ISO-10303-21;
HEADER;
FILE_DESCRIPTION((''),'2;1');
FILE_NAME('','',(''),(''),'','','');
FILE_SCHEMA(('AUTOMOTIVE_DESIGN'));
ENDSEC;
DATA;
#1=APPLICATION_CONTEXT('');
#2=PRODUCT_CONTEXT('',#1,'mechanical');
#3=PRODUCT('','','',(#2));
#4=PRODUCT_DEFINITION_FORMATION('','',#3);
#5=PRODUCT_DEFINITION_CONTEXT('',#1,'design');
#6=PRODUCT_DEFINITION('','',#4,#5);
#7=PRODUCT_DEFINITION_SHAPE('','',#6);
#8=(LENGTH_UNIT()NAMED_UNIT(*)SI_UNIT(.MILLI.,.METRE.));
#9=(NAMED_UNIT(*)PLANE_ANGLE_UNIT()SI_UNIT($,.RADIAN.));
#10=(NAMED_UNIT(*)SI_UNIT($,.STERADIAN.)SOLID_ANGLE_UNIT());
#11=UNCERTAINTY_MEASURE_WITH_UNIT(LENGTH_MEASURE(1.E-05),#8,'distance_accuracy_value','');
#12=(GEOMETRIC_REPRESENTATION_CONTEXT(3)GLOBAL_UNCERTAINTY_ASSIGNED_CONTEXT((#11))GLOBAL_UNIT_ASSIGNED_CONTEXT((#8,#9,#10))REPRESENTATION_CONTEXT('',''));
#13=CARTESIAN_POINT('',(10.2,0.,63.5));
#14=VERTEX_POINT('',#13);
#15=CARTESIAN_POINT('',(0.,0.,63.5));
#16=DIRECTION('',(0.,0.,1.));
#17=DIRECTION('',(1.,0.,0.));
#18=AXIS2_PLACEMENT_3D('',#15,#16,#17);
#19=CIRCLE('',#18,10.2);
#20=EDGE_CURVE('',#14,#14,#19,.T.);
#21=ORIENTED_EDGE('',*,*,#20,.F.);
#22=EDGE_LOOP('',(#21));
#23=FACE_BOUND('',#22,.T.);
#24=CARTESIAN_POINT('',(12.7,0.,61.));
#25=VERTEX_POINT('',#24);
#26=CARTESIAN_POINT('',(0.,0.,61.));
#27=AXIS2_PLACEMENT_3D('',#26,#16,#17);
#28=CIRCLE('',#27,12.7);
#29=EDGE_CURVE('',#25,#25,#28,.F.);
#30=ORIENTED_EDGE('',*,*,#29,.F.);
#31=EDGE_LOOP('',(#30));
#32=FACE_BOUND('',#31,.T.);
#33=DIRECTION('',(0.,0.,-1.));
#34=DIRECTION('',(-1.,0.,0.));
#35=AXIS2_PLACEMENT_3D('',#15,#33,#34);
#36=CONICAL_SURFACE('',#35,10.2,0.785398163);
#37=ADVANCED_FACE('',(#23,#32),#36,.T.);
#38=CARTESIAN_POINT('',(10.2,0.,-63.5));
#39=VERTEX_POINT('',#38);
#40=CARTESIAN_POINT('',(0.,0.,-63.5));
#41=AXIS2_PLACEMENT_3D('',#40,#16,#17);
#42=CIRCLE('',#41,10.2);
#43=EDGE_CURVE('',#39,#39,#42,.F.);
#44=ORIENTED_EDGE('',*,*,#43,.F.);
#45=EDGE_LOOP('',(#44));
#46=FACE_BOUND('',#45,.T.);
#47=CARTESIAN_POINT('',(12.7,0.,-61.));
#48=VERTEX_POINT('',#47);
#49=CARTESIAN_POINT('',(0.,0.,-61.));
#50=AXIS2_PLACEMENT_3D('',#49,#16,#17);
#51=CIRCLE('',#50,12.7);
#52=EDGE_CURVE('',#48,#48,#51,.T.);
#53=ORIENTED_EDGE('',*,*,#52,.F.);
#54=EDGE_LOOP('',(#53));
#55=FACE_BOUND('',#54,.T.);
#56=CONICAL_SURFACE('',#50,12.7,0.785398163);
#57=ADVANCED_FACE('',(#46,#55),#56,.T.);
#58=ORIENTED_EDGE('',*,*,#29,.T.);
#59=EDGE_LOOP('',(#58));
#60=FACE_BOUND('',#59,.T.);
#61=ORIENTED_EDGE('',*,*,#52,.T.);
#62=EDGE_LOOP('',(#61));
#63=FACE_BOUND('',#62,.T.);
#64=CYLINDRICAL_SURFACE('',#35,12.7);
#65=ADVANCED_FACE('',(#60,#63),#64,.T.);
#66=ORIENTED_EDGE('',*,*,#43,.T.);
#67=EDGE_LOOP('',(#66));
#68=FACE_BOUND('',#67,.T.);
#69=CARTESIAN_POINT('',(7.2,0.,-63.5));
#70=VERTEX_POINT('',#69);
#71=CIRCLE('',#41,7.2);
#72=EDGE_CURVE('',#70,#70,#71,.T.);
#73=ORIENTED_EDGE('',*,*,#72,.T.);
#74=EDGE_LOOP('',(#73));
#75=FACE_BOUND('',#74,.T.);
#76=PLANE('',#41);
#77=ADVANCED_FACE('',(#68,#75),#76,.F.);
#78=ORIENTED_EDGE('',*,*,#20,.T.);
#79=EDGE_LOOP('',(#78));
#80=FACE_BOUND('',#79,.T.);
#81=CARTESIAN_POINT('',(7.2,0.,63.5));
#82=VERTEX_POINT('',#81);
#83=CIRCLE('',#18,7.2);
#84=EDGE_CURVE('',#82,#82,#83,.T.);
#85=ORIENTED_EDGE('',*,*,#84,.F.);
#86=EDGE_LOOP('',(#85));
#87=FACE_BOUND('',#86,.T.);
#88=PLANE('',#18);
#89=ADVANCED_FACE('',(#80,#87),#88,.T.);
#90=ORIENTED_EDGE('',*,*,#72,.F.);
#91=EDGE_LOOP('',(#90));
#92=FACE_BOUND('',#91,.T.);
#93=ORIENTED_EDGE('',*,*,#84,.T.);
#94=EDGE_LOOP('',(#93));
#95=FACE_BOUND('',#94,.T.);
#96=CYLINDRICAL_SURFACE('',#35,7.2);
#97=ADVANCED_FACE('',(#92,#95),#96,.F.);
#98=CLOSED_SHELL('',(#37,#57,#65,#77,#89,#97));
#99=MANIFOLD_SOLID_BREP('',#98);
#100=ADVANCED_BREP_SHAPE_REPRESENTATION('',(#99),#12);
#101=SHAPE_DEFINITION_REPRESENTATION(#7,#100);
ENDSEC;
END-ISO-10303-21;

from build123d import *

# Parameters (mm, degrees)
SKETCH1_R           = 12.7
SKETCH1_R_2         = 7.2
BOSS_EXTRUDE1_DEPTH = 63.5
CHAMFER1_SIZE       = 2.5


with BuildPart() as part:
    # Sketch1 → Boss-Extrude1 (new body, symmetric)
    with BuildSketch(Plane.XY):
        Circle(SKETCH1_R)
        Circle(SKETCH1_R_2, mode=Mode.SUBTRACT)
    extrude(amount=BOSS_EXTRUDE1_DEPTH, both=True)

    # Chamfer1
    chamfer1_edges = [part.edges().sort_by_distance(p)[0] for p in [
        (-12.7, 0, -63.5),
        (-12.7, 0, 63.5),
    ]]
    chamfer(chamfer1_edges, length=CHAMFER1_SIZE)


solid = part.part
